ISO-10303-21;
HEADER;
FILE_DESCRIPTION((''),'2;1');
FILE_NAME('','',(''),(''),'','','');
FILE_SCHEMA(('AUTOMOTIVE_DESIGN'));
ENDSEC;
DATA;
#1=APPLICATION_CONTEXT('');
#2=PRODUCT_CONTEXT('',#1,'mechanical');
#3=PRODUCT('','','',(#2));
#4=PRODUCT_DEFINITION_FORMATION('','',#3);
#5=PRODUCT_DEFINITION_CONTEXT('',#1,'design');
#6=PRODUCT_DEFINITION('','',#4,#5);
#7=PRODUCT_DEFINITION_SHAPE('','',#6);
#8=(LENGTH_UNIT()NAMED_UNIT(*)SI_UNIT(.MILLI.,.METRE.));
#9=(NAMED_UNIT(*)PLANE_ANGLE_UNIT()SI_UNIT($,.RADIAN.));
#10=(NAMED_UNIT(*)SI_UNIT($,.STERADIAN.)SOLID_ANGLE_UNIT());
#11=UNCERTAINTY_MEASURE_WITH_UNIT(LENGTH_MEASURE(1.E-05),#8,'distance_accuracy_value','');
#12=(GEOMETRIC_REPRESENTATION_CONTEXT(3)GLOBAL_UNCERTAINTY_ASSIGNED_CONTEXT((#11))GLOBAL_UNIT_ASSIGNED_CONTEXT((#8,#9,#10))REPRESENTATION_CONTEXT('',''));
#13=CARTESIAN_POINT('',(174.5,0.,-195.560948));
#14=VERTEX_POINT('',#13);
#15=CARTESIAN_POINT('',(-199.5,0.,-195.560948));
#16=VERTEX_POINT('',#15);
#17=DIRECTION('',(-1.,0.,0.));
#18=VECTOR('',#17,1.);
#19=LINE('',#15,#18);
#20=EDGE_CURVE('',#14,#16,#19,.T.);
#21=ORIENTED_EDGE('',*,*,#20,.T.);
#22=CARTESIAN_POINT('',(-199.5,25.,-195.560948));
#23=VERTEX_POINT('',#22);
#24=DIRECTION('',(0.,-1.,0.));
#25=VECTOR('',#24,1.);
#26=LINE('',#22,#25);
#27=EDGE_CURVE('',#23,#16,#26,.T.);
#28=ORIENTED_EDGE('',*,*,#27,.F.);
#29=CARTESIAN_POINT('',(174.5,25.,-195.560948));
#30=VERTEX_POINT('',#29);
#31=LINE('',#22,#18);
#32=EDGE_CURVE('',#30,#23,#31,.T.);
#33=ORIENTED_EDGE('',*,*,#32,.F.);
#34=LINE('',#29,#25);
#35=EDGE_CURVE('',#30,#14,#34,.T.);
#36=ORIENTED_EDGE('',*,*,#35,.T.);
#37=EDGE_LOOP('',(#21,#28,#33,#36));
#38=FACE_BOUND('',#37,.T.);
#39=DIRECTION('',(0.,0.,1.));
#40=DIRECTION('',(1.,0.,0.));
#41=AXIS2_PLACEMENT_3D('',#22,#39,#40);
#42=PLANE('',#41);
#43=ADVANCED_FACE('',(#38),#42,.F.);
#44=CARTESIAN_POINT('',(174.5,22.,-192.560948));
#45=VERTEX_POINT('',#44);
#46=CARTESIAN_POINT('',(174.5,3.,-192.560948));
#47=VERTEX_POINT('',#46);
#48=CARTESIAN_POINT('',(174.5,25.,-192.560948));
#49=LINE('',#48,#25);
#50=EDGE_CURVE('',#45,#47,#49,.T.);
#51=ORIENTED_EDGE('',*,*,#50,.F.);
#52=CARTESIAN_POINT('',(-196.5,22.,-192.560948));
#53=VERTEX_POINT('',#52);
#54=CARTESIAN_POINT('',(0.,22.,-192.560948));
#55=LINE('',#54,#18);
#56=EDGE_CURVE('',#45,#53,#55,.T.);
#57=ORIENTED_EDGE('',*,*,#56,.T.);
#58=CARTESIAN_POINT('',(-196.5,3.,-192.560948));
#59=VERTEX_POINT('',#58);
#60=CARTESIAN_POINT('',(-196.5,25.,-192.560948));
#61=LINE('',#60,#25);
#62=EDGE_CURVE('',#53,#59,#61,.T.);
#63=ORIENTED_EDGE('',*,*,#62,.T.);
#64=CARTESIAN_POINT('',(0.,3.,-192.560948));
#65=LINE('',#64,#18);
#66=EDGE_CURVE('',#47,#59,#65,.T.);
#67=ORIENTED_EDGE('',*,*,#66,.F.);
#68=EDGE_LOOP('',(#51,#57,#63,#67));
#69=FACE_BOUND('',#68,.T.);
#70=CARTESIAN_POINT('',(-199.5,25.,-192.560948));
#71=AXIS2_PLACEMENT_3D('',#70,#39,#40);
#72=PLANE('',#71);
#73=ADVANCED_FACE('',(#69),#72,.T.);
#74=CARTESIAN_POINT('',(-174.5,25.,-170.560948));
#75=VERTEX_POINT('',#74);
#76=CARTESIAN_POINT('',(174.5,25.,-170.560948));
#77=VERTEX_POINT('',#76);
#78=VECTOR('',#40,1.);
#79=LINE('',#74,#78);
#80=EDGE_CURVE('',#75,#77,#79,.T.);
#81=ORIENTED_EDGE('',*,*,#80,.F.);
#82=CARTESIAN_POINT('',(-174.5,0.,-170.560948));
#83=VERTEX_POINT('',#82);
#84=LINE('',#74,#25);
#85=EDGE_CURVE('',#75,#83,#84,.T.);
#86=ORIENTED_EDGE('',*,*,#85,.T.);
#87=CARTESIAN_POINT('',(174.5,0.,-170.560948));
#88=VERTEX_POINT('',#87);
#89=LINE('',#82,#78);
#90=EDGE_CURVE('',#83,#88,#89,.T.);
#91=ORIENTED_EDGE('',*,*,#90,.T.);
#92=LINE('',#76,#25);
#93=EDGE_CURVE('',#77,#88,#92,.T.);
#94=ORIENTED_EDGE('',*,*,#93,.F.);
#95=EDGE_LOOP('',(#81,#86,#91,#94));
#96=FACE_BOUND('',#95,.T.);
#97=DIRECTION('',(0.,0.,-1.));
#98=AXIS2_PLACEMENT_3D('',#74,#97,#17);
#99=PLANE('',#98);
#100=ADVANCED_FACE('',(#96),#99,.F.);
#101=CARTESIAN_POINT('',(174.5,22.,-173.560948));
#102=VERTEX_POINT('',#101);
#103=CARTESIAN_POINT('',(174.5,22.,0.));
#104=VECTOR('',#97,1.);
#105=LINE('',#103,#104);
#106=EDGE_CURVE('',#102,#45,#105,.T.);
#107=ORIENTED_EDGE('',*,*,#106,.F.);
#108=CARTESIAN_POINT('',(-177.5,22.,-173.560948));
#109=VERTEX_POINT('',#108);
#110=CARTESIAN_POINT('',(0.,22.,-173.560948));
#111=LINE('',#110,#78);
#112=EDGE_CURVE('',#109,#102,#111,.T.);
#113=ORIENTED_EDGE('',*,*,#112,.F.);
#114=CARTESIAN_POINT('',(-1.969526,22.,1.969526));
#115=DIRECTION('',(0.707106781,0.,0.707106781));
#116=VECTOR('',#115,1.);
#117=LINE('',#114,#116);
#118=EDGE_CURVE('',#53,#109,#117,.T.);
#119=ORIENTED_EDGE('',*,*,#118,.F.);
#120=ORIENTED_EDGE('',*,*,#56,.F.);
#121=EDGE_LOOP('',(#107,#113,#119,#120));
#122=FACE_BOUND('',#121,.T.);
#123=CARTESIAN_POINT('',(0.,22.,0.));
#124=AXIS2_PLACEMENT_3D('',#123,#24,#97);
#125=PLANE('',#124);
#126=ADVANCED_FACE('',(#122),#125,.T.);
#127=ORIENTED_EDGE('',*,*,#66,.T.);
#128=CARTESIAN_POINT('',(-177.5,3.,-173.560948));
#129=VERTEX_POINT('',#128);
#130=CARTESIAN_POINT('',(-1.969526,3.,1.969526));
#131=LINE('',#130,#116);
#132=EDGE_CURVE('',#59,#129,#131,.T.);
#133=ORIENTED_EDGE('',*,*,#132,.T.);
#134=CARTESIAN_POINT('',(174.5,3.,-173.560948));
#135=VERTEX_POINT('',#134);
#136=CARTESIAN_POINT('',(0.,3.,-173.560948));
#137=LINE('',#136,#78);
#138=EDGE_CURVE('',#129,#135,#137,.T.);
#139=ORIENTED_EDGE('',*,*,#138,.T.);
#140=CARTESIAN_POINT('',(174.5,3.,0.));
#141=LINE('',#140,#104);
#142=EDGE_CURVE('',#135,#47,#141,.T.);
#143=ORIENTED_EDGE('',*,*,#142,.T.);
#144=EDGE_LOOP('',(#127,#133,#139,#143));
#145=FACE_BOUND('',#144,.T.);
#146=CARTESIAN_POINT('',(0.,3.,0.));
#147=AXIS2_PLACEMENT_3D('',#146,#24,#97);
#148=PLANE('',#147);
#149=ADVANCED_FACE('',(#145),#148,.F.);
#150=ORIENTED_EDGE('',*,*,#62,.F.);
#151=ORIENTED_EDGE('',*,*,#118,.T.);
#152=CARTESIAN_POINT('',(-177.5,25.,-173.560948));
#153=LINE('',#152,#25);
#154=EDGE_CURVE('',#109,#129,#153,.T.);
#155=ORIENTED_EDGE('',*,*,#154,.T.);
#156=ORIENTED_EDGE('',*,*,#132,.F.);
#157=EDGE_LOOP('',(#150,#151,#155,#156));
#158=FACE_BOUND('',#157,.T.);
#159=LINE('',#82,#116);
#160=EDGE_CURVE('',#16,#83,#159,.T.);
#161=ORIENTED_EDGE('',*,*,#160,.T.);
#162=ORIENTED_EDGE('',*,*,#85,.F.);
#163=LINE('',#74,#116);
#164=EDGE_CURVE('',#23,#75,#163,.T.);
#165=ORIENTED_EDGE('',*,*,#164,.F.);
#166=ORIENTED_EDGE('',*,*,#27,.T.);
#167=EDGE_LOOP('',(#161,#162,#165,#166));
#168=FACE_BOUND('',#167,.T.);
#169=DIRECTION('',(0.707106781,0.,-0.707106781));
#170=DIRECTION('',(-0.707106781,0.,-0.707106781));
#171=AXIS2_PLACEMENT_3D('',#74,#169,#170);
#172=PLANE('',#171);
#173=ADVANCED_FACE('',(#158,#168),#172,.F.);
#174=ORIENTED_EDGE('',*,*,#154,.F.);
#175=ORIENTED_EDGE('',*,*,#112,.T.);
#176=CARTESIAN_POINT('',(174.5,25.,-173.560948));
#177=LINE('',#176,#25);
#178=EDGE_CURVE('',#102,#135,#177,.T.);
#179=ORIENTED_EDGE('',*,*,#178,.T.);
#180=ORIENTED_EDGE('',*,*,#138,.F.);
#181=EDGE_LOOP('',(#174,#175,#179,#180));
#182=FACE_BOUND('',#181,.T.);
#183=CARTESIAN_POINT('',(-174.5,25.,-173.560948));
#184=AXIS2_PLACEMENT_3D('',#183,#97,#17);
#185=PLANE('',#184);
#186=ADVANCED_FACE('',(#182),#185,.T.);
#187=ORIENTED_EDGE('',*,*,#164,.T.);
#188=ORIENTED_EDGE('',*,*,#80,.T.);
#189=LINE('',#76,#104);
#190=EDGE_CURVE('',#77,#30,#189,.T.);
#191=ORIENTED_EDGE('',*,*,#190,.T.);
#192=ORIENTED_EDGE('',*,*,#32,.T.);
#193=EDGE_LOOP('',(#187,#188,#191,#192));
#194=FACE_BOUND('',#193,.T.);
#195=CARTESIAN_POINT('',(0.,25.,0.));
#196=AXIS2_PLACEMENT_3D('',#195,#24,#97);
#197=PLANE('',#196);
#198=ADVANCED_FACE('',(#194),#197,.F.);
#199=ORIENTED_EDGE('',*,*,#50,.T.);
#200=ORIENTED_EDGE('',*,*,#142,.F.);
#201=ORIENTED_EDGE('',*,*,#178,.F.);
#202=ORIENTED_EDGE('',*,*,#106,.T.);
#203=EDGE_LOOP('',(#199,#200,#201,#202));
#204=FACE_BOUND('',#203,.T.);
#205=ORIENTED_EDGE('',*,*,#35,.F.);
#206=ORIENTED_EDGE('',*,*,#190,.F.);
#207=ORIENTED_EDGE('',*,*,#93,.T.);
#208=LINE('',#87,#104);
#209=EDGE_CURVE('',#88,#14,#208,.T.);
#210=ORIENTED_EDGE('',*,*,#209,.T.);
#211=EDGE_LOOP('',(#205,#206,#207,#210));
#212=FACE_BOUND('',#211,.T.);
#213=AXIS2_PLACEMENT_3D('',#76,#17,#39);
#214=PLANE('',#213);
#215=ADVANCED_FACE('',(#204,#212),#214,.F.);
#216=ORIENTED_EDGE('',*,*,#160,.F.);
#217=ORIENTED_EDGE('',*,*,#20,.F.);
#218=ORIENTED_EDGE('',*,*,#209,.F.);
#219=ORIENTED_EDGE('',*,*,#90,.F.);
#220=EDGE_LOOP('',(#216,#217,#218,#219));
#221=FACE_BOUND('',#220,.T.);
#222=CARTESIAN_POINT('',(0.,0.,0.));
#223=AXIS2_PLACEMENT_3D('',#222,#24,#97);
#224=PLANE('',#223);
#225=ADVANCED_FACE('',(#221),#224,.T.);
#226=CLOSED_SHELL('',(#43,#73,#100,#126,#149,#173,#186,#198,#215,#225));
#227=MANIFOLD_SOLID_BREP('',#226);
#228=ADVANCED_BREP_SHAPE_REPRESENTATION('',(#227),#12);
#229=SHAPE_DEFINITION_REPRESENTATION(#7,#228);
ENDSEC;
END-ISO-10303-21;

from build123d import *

# Parameters (mm, degrees)
BOSS_EXTRUDE1_DEPTH = 25
SHELL1_T            = -3


with BuildPart() as part:
    # Sketch1 → Boss-Extrude1 (new body)
    with BuildSketch(Plane(origin=(0, 0, 0), x_dir=(1, 0, 0), z_dir=(0, 1, 0))):
        Polygon((-174.5, 170.560948081), (174.5, 170.560948081), (174.5, 195.560948081), (-199.5, 195.560948081), align=None)
    extrude(amount=BOSS_EXTRUDE1_DEPTH)

    # Shell1
    shell1_openings = [part.faces().sort_by_distance(p)[0] for p in [
        (174.5, 12.5, -183.060948081),
        (-187, 12.5, -183.060948081),
    ]]
    offset(amount=SHELL1_T, openings=shell1_openings, kind=Kind.INTERSECTION)


solid = part.part
